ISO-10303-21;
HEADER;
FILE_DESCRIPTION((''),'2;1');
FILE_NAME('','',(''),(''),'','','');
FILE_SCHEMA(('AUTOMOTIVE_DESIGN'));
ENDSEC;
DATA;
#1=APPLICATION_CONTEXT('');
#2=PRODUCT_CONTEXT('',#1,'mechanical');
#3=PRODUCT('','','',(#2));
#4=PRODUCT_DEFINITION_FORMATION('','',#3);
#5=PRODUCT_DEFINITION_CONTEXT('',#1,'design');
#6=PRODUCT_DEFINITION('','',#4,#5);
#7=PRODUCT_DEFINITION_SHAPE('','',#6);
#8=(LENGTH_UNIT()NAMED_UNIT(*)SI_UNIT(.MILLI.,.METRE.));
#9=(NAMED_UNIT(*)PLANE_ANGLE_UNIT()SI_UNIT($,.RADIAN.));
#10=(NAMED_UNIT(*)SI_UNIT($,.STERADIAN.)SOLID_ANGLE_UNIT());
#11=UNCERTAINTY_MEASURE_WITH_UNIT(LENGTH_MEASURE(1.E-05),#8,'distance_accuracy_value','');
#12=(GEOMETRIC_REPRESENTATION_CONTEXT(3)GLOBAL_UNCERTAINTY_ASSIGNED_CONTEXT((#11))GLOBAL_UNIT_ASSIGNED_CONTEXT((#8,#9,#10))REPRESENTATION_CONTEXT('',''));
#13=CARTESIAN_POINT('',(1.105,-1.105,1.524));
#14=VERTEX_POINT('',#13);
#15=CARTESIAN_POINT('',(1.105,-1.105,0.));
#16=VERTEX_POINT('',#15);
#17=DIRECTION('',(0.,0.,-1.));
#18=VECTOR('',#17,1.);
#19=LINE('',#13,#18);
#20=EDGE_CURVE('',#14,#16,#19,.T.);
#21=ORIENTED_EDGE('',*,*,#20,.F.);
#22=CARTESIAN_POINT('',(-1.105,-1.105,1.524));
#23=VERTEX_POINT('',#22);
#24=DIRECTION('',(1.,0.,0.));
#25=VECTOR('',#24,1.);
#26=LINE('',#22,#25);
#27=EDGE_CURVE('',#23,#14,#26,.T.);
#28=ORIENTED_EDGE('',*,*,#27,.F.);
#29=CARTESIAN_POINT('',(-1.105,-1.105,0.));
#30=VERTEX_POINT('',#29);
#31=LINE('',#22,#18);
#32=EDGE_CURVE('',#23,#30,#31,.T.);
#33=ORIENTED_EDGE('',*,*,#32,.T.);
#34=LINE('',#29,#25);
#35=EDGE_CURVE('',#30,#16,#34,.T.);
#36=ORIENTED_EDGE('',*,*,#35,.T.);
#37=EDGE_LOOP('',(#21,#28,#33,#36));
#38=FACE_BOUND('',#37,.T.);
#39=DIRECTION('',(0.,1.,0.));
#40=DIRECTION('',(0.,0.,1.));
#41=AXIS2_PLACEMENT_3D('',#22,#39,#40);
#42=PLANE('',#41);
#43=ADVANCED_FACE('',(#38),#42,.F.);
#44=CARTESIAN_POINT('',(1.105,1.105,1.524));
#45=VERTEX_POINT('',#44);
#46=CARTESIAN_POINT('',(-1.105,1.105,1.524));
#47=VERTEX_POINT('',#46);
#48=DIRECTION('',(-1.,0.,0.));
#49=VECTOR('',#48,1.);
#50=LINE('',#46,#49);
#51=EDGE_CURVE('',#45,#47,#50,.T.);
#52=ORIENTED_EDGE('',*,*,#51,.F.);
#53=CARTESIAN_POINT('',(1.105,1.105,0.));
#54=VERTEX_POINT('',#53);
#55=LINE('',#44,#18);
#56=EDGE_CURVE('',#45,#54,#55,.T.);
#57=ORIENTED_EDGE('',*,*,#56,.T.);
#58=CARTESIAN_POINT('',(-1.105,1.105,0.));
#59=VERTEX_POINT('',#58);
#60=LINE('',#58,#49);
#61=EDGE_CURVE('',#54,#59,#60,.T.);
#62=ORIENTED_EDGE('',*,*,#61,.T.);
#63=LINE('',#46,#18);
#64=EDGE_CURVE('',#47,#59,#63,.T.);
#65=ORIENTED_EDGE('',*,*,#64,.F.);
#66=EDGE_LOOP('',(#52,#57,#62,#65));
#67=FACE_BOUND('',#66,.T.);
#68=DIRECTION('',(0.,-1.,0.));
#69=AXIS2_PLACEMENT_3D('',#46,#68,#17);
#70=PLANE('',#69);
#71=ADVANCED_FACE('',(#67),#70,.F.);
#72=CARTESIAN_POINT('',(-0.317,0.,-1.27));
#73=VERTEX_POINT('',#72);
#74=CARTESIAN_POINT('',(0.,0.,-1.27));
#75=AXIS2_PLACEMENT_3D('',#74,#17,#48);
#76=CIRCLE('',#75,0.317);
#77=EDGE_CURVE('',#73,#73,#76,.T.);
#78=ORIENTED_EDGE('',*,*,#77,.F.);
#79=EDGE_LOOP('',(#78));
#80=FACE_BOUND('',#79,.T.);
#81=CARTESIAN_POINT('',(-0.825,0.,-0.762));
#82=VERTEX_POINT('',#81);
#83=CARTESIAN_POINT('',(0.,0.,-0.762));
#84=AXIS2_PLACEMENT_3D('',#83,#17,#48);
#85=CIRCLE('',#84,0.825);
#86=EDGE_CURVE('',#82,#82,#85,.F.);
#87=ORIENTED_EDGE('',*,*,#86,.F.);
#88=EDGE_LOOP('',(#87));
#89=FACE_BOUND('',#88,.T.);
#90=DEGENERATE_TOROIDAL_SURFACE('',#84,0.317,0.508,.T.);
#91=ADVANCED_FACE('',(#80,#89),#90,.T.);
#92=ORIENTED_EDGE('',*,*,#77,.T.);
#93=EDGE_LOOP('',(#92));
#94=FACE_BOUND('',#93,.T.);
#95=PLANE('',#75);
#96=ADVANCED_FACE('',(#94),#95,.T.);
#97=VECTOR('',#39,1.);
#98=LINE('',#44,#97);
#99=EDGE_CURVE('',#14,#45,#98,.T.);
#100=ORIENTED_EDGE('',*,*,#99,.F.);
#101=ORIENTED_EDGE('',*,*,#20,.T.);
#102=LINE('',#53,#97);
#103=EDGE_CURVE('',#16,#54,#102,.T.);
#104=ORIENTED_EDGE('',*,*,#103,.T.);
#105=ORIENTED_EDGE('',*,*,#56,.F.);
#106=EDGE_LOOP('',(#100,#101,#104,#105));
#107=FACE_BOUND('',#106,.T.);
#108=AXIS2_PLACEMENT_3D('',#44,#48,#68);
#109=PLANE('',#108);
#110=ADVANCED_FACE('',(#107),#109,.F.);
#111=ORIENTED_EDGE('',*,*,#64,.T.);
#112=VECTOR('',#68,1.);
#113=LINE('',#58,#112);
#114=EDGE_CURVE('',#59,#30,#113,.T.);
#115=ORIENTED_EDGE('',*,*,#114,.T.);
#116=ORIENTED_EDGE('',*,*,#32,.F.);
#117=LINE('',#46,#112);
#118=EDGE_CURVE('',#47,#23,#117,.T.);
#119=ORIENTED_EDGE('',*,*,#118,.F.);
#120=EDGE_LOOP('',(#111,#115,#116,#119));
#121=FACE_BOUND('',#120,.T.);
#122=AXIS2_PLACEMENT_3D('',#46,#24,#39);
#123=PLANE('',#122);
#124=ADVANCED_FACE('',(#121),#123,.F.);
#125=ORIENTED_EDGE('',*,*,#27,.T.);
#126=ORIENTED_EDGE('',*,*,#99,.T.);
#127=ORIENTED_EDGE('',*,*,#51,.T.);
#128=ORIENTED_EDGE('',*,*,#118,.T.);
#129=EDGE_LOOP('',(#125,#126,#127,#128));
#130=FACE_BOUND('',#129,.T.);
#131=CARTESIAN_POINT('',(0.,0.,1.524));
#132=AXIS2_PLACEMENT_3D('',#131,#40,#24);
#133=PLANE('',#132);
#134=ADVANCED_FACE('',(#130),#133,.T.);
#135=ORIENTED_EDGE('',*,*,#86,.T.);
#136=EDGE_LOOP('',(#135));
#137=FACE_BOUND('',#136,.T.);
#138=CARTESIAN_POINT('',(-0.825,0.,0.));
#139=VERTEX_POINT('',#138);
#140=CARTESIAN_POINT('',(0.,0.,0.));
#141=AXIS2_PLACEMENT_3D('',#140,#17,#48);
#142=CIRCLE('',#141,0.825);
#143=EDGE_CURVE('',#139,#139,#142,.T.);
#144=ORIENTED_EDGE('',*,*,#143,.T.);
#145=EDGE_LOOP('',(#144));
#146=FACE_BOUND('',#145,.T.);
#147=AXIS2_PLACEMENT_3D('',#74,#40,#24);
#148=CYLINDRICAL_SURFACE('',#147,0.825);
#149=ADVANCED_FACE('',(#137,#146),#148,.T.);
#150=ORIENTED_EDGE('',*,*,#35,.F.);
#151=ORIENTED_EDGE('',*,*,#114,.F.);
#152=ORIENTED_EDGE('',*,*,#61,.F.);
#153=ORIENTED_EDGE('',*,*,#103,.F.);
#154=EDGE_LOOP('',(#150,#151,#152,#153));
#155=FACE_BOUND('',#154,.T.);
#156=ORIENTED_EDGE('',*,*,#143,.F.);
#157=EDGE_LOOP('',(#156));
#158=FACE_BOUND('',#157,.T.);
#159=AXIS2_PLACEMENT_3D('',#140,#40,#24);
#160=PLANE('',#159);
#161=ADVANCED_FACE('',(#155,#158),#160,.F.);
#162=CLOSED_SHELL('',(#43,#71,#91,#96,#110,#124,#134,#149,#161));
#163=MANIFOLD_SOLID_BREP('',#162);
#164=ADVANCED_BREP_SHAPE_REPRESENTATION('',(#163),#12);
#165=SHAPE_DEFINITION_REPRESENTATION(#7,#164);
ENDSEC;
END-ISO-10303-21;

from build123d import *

# Parameters (mm, degrees)
SKETCH1_W           = 2.21
SKETCH1_H           = 2.21
BOSS_EXTRUDE1_DEPTH = 1.524
SKETCH2_R           = 0.825
BOSS_EXTRUDE2_DEPTH = 1.27
FILLET1_R           = 0.508


with BuildPart() as part:
    # Sketch1 → Boss-Extrude1 (new body)
    with BuildSketch(Plane.XY):
        Rectangle(SKETCH1_W, SKETCH1_H)
    extrude(amount=BOSS_EXTRUDE1_DEPTH)

    # Sketch2 → Boss-Extrude2 (add)
    with BuildSketch(Plane(origin=(0, 0, 0), x_dir=(-1, 0, 0), z_dir=(0, 0, -1))):
        Circle(SKETCH2_R)
    extrude(amount=BOSS_EXTRUDE2_DEPTH)

    # Fillet1
    fillet1_edges = [part.edges().sort_by_distance(p)[0] for p in [
        (0.825, 0, -1.27),
    ]]
    fillet(fillet1_edges, radius=FILLET1_R)


solid = part.part
